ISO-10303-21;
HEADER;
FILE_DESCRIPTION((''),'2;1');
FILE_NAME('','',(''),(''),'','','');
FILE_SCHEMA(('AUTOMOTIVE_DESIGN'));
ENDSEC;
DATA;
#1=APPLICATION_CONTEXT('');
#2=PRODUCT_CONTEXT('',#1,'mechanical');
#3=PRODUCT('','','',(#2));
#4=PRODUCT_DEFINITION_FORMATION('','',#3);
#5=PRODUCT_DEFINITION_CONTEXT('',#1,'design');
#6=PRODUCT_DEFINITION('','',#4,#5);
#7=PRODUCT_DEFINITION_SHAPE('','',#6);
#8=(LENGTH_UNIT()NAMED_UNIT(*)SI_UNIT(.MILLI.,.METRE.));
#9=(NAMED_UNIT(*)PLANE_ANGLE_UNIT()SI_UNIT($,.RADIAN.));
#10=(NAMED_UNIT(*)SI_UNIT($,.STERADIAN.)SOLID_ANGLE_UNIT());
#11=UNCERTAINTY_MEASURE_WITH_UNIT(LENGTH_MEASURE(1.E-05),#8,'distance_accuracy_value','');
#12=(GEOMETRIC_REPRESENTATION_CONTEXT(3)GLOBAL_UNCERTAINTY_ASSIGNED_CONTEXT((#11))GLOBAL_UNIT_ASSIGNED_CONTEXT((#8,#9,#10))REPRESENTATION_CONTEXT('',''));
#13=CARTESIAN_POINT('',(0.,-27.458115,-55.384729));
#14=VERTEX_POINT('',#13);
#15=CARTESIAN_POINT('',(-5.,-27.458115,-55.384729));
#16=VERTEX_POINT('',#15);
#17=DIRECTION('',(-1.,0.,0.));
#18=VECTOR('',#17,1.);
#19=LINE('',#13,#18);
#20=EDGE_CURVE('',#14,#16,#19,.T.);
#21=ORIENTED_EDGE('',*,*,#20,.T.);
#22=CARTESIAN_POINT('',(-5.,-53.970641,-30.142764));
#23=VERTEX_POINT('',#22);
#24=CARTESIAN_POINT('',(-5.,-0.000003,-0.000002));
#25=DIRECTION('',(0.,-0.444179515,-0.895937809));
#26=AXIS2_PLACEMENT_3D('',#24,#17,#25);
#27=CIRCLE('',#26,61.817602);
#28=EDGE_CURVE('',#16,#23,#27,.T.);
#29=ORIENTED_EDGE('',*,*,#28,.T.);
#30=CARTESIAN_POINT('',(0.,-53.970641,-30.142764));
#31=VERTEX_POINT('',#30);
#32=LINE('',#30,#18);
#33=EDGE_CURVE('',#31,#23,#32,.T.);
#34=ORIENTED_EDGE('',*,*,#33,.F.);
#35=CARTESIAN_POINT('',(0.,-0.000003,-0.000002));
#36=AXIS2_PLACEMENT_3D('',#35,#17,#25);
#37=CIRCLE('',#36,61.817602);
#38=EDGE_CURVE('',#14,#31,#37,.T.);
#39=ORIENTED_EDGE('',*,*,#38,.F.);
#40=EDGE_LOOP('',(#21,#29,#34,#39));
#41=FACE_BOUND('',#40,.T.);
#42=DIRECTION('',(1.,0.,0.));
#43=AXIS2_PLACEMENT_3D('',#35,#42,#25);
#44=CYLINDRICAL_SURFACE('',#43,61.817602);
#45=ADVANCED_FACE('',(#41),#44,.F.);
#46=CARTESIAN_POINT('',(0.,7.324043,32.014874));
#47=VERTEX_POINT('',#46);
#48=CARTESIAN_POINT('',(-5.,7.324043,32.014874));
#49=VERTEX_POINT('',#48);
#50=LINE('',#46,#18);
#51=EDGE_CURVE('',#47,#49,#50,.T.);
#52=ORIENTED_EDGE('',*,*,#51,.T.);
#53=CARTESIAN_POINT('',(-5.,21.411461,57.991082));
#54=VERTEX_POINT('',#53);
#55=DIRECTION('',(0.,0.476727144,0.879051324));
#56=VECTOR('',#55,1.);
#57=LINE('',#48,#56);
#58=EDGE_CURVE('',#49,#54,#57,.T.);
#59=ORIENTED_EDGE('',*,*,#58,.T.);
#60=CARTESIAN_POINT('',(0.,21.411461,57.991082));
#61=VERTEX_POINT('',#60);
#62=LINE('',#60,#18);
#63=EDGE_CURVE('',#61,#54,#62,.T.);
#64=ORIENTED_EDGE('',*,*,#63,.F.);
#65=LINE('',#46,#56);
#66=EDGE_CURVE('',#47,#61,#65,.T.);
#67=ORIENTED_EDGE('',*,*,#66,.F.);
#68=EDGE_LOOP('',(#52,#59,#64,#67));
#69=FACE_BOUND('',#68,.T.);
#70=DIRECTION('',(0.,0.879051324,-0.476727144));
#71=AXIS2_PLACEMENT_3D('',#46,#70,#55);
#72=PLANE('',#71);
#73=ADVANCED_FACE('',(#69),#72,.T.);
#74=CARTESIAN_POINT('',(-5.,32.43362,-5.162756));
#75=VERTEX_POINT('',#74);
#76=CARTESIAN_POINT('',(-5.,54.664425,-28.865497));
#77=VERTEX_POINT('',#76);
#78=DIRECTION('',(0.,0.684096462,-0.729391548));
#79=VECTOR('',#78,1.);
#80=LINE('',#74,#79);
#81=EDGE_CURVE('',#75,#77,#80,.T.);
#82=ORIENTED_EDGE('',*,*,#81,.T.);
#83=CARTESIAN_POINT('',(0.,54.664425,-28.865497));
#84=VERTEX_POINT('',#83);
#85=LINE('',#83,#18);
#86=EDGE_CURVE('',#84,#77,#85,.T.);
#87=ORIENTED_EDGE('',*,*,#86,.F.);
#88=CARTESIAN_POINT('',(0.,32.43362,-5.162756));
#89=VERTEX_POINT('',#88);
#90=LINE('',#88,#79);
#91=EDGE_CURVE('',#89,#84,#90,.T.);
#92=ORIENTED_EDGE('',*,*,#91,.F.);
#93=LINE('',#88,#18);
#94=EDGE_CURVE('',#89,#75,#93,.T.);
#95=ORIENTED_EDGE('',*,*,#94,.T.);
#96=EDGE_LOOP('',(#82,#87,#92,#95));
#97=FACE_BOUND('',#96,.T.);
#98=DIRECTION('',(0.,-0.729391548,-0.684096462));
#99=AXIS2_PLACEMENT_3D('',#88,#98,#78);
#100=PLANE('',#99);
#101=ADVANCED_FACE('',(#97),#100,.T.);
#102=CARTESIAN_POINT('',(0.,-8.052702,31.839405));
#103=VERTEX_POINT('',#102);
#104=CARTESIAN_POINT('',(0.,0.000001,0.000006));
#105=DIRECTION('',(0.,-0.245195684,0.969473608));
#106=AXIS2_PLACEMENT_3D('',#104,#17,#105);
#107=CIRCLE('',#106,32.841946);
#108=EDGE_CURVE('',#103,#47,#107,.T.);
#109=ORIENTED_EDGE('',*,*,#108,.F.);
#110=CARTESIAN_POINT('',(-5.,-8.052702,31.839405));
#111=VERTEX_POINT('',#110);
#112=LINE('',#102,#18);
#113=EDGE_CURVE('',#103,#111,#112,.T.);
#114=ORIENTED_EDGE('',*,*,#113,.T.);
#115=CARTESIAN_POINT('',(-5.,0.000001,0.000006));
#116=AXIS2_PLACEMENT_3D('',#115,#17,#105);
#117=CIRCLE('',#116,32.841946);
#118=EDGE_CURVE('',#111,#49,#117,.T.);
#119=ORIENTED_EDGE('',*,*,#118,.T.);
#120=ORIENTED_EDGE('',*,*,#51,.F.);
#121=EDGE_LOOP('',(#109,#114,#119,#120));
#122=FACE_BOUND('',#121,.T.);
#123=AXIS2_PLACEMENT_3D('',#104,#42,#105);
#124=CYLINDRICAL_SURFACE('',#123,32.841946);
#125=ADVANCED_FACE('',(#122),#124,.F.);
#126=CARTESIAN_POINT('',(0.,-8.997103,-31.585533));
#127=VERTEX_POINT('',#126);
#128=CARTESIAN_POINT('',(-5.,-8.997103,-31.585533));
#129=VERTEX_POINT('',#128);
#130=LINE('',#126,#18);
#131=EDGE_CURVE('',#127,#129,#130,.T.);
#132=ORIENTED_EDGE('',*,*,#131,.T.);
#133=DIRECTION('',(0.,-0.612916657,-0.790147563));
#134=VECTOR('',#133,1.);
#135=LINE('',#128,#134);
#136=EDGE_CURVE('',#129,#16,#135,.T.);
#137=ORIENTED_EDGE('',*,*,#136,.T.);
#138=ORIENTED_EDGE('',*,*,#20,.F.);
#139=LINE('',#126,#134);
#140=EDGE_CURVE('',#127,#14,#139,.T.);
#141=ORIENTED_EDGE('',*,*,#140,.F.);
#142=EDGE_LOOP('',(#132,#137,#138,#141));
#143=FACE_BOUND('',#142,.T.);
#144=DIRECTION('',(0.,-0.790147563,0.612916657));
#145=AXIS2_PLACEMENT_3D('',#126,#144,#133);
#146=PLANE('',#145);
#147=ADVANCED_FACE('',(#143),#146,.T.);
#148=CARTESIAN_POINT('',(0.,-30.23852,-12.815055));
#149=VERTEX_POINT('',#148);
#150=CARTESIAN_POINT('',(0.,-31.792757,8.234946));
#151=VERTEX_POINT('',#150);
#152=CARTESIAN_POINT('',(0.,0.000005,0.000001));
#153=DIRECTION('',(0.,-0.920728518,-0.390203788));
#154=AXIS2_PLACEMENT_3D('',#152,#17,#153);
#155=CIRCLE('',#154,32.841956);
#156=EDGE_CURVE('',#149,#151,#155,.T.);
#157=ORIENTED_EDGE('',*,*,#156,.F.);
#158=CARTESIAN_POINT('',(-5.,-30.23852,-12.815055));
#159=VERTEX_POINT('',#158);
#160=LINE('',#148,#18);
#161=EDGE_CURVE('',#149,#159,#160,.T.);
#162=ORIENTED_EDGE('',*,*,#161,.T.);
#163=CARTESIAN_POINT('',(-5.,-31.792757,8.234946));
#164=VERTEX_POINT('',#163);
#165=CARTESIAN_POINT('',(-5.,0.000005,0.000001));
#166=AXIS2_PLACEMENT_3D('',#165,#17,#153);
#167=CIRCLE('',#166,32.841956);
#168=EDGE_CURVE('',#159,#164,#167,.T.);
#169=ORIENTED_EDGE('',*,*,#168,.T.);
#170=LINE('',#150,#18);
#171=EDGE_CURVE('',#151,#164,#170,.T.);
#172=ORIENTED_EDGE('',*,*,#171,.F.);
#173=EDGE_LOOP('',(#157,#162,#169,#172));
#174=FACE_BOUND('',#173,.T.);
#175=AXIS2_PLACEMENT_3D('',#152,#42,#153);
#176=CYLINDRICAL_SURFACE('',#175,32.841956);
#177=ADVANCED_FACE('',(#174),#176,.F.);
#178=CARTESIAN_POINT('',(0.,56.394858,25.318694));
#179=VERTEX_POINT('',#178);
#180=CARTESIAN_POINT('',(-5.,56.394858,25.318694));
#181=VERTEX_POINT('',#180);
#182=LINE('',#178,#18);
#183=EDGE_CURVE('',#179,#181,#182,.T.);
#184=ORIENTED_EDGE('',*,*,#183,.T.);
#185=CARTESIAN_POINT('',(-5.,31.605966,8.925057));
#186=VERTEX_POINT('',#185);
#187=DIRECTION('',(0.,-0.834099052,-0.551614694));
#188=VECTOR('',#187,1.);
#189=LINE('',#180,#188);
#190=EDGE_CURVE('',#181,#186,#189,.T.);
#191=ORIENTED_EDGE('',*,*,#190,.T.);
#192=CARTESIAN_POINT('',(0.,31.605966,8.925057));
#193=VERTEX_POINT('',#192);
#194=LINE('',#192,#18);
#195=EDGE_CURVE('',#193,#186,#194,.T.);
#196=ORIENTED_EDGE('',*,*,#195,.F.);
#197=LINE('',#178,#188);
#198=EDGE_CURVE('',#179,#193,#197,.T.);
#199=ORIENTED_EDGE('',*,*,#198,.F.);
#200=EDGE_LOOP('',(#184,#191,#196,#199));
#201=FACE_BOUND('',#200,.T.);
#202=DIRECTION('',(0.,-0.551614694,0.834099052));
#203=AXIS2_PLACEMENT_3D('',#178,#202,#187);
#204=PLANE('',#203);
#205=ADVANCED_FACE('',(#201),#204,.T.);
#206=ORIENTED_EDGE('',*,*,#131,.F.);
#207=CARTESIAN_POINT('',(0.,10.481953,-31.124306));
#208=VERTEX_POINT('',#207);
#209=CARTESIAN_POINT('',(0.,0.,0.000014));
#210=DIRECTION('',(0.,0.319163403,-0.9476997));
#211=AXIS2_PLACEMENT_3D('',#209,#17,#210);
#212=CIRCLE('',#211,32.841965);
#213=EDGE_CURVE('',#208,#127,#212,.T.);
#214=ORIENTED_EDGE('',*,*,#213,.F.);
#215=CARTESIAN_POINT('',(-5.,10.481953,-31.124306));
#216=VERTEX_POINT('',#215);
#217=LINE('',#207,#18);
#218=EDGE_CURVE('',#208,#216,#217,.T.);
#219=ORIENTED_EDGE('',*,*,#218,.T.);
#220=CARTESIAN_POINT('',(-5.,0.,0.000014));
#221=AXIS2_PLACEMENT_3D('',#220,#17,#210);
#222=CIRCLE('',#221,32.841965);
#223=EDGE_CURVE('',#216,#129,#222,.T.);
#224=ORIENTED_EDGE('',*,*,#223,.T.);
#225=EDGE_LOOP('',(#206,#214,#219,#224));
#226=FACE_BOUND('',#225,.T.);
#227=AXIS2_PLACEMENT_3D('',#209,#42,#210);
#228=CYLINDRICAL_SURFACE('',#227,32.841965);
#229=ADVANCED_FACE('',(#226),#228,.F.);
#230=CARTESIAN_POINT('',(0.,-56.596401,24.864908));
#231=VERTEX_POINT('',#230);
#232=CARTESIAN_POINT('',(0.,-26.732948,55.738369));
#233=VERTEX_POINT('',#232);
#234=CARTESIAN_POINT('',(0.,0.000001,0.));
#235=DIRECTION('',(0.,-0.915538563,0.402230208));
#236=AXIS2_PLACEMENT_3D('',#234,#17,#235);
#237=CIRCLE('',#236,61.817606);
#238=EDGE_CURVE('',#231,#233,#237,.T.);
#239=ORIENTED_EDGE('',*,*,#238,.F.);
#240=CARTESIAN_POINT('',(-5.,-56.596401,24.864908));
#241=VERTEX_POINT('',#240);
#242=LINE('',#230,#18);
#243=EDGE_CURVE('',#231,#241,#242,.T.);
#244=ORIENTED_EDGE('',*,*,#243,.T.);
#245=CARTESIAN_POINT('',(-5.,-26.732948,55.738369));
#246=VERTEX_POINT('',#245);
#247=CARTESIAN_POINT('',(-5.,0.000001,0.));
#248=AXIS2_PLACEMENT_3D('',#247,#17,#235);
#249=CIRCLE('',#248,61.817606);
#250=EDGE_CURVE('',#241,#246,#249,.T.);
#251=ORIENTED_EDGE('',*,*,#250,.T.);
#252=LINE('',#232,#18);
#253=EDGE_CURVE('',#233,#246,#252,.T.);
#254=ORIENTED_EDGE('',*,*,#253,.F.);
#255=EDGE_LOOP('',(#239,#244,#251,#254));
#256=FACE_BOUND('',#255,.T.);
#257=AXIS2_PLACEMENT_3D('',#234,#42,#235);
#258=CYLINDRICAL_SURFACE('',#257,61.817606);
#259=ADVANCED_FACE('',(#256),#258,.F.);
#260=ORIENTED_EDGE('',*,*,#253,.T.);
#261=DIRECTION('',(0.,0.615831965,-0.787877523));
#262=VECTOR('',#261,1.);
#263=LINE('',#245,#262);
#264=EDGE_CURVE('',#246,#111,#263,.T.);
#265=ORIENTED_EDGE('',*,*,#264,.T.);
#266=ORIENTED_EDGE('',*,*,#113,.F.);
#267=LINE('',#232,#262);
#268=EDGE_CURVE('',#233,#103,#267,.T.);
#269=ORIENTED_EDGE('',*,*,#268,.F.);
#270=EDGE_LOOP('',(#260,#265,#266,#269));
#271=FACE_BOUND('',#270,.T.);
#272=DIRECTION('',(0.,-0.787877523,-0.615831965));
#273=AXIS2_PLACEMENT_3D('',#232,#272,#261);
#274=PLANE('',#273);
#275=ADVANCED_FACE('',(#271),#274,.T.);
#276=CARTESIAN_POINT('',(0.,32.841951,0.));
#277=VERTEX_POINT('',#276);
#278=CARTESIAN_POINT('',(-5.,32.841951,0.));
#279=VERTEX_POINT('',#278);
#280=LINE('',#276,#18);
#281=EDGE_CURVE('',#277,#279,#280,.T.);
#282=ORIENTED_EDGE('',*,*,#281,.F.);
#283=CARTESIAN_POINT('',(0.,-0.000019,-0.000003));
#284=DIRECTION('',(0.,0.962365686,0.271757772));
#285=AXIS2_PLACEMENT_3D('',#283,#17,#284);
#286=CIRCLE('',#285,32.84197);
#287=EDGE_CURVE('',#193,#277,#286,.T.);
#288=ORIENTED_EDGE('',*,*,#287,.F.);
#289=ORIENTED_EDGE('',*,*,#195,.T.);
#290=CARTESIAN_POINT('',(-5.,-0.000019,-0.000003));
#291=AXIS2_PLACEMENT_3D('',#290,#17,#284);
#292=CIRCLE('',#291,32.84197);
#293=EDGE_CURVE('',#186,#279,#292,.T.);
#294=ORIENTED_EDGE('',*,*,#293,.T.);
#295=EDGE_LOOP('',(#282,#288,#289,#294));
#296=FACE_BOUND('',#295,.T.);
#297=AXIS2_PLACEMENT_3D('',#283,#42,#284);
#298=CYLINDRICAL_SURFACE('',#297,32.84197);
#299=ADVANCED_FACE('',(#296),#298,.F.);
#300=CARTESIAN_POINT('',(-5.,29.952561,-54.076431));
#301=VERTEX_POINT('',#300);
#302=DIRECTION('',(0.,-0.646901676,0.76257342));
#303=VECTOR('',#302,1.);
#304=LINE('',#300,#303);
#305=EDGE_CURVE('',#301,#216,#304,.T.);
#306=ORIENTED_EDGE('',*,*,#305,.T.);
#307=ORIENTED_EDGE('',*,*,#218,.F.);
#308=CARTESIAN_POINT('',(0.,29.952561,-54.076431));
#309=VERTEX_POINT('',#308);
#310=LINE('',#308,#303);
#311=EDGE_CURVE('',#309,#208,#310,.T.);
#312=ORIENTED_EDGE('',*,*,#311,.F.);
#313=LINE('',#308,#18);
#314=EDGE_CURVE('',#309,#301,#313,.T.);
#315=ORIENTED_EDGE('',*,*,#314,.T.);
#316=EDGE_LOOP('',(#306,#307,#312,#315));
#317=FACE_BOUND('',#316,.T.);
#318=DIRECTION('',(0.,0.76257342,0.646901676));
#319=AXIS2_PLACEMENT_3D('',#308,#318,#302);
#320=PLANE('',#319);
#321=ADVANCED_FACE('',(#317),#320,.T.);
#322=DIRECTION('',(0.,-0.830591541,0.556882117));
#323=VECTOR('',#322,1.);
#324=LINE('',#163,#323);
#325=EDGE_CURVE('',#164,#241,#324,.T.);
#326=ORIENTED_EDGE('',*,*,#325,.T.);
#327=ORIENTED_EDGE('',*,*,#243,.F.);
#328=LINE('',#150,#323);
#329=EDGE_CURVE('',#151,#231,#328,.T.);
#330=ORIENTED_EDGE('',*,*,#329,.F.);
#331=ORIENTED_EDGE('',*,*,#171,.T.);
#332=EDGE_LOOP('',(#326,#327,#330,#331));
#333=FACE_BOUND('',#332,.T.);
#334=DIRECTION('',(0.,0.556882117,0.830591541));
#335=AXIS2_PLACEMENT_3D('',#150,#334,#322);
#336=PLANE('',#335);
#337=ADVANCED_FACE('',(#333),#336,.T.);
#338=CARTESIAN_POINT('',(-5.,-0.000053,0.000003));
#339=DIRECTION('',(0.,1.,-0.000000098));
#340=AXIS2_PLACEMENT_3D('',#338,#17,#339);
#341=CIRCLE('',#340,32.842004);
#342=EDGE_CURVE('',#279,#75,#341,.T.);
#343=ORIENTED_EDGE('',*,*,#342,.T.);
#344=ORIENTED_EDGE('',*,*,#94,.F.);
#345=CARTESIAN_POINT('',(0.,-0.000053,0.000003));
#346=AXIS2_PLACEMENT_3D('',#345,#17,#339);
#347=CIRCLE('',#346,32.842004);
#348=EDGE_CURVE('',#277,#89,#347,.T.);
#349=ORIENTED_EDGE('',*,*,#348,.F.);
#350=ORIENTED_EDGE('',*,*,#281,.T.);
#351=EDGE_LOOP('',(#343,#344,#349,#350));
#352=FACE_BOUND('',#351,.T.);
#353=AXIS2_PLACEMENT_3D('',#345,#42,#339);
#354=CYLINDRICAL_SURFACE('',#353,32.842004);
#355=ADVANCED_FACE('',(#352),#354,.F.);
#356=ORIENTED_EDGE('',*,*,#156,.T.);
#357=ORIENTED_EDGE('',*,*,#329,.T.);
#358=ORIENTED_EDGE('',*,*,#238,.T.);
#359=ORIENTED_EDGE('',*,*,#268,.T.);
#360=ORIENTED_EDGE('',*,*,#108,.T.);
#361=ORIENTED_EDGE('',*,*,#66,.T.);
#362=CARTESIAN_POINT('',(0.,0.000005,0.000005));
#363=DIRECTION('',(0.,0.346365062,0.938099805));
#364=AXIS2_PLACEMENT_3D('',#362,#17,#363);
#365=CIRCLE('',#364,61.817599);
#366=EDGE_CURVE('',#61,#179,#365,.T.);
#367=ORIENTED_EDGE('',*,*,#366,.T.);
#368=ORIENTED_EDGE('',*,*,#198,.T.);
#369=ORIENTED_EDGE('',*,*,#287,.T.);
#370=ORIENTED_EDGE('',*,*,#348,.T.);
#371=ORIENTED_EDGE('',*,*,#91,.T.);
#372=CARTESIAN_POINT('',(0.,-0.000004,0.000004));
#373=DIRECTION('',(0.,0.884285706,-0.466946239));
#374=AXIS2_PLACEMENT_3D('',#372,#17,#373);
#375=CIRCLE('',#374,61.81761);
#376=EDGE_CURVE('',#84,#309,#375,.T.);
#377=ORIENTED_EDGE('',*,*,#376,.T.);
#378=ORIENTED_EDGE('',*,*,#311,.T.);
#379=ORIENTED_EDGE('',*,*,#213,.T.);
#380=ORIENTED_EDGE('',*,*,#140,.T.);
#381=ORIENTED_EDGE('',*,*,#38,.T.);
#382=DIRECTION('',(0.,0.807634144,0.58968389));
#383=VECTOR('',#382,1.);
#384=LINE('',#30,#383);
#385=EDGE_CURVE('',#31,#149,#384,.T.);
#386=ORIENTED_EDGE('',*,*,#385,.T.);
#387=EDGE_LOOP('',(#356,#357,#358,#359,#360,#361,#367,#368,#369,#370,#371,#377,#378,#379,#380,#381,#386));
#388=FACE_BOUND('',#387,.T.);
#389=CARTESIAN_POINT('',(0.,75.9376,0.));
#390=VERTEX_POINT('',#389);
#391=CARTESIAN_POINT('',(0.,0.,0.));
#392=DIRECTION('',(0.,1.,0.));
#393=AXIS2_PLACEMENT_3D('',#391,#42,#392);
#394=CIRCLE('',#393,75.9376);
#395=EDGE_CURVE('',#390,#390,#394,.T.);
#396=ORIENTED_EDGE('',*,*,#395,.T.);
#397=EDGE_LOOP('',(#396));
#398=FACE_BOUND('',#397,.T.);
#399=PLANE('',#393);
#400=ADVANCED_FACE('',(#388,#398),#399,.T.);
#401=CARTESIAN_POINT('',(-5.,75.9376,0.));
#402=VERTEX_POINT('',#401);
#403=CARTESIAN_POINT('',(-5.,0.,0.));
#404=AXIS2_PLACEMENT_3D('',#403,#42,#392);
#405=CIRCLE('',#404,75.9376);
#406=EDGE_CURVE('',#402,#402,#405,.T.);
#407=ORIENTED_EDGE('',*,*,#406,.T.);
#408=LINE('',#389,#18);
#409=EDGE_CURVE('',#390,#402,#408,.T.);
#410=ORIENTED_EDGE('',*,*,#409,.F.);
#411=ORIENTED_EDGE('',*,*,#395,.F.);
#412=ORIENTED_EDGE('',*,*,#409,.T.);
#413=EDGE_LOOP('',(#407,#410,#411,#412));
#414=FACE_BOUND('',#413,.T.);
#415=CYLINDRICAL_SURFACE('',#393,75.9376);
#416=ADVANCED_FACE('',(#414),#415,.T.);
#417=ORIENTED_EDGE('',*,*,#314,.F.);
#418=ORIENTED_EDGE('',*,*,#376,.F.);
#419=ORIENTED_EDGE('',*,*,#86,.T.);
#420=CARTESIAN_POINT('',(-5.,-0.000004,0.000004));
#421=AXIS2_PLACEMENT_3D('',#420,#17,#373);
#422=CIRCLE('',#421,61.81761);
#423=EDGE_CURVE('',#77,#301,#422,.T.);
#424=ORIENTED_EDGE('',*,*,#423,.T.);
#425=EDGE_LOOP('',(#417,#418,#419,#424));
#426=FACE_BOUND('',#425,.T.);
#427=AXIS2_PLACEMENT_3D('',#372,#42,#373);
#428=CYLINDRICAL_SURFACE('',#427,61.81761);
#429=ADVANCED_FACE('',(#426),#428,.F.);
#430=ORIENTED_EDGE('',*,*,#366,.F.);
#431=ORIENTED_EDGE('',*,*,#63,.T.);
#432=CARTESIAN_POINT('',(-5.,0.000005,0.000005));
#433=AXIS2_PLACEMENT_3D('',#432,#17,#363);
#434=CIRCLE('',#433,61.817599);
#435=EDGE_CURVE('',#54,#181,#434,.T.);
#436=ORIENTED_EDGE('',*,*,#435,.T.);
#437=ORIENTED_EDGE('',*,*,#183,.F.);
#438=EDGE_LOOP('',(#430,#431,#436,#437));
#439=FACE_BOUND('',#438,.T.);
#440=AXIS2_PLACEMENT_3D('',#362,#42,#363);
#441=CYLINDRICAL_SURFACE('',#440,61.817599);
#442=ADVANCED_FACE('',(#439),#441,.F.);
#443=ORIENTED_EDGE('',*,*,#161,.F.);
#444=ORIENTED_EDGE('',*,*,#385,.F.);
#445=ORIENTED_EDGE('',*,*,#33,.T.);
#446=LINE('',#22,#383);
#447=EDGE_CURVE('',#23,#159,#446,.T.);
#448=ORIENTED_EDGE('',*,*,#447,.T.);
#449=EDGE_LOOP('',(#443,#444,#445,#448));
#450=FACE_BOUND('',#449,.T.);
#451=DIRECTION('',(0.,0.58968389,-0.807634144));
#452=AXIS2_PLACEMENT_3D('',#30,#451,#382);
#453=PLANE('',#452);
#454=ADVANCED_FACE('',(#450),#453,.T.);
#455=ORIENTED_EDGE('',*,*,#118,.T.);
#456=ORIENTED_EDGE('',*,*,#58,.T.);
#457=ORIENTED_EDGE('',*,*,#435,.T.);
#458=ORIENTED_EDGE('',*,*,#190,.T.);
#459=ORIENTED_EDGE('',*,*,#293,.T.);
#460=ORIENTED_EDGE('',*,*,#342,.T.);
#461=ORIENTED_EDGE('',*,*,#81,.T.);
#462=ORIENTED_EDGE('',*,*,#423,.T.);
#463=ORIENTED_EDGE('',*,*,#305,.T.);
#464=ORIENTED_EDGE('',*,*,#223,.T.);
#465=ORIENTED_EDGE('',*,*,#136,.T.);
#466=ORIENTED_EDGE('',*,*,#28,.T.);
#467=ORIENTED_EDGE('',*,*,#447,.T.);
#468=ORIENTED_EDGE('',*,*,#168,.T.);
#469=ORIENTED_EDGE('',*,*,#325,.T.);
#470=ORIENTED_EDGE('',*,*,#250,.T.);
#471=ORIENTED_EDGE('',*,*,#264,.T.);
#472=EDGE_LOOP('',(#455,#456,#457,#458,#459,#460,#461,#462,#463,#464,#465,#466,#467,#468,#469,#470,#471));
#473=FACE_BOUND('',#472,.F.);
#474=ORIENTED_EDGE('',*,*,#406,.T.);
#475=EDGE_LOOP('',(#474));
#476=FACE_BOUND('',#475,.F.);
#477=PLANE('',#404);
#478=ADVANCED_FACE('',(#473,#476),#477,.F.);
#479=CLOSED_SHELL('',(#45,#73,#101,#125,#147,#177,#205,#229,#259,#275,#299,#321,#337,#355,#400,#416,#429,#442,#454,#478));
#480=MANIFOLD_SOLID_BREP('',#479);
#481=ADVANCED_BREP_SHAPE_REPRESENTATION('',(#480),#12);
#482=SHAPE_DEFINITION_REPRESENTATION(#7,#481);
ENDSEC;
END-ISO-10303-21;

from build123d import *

# Parameters (mm, degrees)
F0_R     = 75.9376
F0_R_2   = 68.52161
F1_DEPTH = 5


with BuildPart() as f1:
    # F0 (on Right) → F1 (new body)
    with BuildSketch(Plane.YZ):
        Circle(F0_R)
        Circle(F0_R_2, mode=Mode.SUBTRACT)
        Circle(F0_R_2)
        with BuildLine():
            ThreePointArc((56.394858, 25.318694), (60.446718, 12.946452), (61.817605, 0))
            ThreePointArc((61.817605, 0), (60.002667, -14.869305), (54.664425, -28.865497))
            ThreePointArc((54.664425, -28.865497), (44.14642, -43.272507), (29.952561, -54.076431))
            ThreePointArc((29.952561, -54.076431), (1.408359, -61.80156), (-27.458115, -55.384729))
            ThreePointArc((-27.458115, -55.384729), (-42.625694, -44.771269), (-53.970641, -30.142764))
            ThreePointArc((-53.970641, -30.142764), (-61.747297, -2.947473), (-56.596401, 24.864908))
            ThreePointArc((-56.596401, 24.864908), (-44.432395, 42.978815), (-26.732948, 55.738369))
            ThreePointArc((-26.732948, 55.738369), (-2.889331, 61.750045), (21.411461, 57.991082))
            ThreePointArc((21.411461, 57.991082), (42.193922, 45.178416), (56.394858, 25.318694))
        make_face(mode=Mode.SUBTRACT)
        with BuildLine():
            Line((-31.792757, 8.234946), (-56.596401, 24.864908))
            ThreePointArc((-56.596401, 24.864908), (-61.747297, -2.947473), (-53.970641, -30.142764))
            Line((-53.970641, -30.142764), (-30.23852, -12.815055))
            ThreePointArc((-30.23852, -12.815055), (-32.752793, -2.418318), (-31.792757, 8.234946))
        make_face()
        with BuildLine():
            Line((7.324043, 32.014874), (21.411461, 57.991082))
            ThreePointArc((21.411461, 57.991082), (-2.889331, 61.750045), (-26.732948, 55.738369))
            Line((-26.732948, 55.738369), (-8.052702, 31.839405))
            ThreePointArc((-8.052702, 31.839405), (-0.374745, 32.839813), (7.324043, 32.014874))
        make_face()
        with BuildLine():
            ThreePointArc((-27.458115, -55.384729), (1.408359, -61.80156), (29.952561, -54.076431))
            Line((29.952561, -54.076431), (10.481953, -31.124306))
            ThreePointArc((10.481953, -31.124306), (0.777417, -32.832748), (-8.997103, -31.585533))
            Line((-8.997103, -31.585533), (-27.458115, -55.384729))
        make_face()
        with BuildLine():
            ThreePointArc((54.664425, -28.865497), (60.002667, -14.869305), (61.817605, 0))
            ThreePointArc((61.817605, 0), (60.446718, 12.946452), (56.394858, 25.318694))
            Line((56.394858, 25.318694), (31.605966, 8.925057))
            ThreePointArc((31.605966, 8.925057), (32.531487, 4.505117), (32.841951, 0))
            ThreePointArc((32.841951, 0), (32.739709, -2.589439), (32.43362, -5.162756))
            Line((32.43362, -5.162756), (54.664425, -28.865497))
        make_face()
    extrude(amount=-F1_DEPTH)


solid = f1.part
